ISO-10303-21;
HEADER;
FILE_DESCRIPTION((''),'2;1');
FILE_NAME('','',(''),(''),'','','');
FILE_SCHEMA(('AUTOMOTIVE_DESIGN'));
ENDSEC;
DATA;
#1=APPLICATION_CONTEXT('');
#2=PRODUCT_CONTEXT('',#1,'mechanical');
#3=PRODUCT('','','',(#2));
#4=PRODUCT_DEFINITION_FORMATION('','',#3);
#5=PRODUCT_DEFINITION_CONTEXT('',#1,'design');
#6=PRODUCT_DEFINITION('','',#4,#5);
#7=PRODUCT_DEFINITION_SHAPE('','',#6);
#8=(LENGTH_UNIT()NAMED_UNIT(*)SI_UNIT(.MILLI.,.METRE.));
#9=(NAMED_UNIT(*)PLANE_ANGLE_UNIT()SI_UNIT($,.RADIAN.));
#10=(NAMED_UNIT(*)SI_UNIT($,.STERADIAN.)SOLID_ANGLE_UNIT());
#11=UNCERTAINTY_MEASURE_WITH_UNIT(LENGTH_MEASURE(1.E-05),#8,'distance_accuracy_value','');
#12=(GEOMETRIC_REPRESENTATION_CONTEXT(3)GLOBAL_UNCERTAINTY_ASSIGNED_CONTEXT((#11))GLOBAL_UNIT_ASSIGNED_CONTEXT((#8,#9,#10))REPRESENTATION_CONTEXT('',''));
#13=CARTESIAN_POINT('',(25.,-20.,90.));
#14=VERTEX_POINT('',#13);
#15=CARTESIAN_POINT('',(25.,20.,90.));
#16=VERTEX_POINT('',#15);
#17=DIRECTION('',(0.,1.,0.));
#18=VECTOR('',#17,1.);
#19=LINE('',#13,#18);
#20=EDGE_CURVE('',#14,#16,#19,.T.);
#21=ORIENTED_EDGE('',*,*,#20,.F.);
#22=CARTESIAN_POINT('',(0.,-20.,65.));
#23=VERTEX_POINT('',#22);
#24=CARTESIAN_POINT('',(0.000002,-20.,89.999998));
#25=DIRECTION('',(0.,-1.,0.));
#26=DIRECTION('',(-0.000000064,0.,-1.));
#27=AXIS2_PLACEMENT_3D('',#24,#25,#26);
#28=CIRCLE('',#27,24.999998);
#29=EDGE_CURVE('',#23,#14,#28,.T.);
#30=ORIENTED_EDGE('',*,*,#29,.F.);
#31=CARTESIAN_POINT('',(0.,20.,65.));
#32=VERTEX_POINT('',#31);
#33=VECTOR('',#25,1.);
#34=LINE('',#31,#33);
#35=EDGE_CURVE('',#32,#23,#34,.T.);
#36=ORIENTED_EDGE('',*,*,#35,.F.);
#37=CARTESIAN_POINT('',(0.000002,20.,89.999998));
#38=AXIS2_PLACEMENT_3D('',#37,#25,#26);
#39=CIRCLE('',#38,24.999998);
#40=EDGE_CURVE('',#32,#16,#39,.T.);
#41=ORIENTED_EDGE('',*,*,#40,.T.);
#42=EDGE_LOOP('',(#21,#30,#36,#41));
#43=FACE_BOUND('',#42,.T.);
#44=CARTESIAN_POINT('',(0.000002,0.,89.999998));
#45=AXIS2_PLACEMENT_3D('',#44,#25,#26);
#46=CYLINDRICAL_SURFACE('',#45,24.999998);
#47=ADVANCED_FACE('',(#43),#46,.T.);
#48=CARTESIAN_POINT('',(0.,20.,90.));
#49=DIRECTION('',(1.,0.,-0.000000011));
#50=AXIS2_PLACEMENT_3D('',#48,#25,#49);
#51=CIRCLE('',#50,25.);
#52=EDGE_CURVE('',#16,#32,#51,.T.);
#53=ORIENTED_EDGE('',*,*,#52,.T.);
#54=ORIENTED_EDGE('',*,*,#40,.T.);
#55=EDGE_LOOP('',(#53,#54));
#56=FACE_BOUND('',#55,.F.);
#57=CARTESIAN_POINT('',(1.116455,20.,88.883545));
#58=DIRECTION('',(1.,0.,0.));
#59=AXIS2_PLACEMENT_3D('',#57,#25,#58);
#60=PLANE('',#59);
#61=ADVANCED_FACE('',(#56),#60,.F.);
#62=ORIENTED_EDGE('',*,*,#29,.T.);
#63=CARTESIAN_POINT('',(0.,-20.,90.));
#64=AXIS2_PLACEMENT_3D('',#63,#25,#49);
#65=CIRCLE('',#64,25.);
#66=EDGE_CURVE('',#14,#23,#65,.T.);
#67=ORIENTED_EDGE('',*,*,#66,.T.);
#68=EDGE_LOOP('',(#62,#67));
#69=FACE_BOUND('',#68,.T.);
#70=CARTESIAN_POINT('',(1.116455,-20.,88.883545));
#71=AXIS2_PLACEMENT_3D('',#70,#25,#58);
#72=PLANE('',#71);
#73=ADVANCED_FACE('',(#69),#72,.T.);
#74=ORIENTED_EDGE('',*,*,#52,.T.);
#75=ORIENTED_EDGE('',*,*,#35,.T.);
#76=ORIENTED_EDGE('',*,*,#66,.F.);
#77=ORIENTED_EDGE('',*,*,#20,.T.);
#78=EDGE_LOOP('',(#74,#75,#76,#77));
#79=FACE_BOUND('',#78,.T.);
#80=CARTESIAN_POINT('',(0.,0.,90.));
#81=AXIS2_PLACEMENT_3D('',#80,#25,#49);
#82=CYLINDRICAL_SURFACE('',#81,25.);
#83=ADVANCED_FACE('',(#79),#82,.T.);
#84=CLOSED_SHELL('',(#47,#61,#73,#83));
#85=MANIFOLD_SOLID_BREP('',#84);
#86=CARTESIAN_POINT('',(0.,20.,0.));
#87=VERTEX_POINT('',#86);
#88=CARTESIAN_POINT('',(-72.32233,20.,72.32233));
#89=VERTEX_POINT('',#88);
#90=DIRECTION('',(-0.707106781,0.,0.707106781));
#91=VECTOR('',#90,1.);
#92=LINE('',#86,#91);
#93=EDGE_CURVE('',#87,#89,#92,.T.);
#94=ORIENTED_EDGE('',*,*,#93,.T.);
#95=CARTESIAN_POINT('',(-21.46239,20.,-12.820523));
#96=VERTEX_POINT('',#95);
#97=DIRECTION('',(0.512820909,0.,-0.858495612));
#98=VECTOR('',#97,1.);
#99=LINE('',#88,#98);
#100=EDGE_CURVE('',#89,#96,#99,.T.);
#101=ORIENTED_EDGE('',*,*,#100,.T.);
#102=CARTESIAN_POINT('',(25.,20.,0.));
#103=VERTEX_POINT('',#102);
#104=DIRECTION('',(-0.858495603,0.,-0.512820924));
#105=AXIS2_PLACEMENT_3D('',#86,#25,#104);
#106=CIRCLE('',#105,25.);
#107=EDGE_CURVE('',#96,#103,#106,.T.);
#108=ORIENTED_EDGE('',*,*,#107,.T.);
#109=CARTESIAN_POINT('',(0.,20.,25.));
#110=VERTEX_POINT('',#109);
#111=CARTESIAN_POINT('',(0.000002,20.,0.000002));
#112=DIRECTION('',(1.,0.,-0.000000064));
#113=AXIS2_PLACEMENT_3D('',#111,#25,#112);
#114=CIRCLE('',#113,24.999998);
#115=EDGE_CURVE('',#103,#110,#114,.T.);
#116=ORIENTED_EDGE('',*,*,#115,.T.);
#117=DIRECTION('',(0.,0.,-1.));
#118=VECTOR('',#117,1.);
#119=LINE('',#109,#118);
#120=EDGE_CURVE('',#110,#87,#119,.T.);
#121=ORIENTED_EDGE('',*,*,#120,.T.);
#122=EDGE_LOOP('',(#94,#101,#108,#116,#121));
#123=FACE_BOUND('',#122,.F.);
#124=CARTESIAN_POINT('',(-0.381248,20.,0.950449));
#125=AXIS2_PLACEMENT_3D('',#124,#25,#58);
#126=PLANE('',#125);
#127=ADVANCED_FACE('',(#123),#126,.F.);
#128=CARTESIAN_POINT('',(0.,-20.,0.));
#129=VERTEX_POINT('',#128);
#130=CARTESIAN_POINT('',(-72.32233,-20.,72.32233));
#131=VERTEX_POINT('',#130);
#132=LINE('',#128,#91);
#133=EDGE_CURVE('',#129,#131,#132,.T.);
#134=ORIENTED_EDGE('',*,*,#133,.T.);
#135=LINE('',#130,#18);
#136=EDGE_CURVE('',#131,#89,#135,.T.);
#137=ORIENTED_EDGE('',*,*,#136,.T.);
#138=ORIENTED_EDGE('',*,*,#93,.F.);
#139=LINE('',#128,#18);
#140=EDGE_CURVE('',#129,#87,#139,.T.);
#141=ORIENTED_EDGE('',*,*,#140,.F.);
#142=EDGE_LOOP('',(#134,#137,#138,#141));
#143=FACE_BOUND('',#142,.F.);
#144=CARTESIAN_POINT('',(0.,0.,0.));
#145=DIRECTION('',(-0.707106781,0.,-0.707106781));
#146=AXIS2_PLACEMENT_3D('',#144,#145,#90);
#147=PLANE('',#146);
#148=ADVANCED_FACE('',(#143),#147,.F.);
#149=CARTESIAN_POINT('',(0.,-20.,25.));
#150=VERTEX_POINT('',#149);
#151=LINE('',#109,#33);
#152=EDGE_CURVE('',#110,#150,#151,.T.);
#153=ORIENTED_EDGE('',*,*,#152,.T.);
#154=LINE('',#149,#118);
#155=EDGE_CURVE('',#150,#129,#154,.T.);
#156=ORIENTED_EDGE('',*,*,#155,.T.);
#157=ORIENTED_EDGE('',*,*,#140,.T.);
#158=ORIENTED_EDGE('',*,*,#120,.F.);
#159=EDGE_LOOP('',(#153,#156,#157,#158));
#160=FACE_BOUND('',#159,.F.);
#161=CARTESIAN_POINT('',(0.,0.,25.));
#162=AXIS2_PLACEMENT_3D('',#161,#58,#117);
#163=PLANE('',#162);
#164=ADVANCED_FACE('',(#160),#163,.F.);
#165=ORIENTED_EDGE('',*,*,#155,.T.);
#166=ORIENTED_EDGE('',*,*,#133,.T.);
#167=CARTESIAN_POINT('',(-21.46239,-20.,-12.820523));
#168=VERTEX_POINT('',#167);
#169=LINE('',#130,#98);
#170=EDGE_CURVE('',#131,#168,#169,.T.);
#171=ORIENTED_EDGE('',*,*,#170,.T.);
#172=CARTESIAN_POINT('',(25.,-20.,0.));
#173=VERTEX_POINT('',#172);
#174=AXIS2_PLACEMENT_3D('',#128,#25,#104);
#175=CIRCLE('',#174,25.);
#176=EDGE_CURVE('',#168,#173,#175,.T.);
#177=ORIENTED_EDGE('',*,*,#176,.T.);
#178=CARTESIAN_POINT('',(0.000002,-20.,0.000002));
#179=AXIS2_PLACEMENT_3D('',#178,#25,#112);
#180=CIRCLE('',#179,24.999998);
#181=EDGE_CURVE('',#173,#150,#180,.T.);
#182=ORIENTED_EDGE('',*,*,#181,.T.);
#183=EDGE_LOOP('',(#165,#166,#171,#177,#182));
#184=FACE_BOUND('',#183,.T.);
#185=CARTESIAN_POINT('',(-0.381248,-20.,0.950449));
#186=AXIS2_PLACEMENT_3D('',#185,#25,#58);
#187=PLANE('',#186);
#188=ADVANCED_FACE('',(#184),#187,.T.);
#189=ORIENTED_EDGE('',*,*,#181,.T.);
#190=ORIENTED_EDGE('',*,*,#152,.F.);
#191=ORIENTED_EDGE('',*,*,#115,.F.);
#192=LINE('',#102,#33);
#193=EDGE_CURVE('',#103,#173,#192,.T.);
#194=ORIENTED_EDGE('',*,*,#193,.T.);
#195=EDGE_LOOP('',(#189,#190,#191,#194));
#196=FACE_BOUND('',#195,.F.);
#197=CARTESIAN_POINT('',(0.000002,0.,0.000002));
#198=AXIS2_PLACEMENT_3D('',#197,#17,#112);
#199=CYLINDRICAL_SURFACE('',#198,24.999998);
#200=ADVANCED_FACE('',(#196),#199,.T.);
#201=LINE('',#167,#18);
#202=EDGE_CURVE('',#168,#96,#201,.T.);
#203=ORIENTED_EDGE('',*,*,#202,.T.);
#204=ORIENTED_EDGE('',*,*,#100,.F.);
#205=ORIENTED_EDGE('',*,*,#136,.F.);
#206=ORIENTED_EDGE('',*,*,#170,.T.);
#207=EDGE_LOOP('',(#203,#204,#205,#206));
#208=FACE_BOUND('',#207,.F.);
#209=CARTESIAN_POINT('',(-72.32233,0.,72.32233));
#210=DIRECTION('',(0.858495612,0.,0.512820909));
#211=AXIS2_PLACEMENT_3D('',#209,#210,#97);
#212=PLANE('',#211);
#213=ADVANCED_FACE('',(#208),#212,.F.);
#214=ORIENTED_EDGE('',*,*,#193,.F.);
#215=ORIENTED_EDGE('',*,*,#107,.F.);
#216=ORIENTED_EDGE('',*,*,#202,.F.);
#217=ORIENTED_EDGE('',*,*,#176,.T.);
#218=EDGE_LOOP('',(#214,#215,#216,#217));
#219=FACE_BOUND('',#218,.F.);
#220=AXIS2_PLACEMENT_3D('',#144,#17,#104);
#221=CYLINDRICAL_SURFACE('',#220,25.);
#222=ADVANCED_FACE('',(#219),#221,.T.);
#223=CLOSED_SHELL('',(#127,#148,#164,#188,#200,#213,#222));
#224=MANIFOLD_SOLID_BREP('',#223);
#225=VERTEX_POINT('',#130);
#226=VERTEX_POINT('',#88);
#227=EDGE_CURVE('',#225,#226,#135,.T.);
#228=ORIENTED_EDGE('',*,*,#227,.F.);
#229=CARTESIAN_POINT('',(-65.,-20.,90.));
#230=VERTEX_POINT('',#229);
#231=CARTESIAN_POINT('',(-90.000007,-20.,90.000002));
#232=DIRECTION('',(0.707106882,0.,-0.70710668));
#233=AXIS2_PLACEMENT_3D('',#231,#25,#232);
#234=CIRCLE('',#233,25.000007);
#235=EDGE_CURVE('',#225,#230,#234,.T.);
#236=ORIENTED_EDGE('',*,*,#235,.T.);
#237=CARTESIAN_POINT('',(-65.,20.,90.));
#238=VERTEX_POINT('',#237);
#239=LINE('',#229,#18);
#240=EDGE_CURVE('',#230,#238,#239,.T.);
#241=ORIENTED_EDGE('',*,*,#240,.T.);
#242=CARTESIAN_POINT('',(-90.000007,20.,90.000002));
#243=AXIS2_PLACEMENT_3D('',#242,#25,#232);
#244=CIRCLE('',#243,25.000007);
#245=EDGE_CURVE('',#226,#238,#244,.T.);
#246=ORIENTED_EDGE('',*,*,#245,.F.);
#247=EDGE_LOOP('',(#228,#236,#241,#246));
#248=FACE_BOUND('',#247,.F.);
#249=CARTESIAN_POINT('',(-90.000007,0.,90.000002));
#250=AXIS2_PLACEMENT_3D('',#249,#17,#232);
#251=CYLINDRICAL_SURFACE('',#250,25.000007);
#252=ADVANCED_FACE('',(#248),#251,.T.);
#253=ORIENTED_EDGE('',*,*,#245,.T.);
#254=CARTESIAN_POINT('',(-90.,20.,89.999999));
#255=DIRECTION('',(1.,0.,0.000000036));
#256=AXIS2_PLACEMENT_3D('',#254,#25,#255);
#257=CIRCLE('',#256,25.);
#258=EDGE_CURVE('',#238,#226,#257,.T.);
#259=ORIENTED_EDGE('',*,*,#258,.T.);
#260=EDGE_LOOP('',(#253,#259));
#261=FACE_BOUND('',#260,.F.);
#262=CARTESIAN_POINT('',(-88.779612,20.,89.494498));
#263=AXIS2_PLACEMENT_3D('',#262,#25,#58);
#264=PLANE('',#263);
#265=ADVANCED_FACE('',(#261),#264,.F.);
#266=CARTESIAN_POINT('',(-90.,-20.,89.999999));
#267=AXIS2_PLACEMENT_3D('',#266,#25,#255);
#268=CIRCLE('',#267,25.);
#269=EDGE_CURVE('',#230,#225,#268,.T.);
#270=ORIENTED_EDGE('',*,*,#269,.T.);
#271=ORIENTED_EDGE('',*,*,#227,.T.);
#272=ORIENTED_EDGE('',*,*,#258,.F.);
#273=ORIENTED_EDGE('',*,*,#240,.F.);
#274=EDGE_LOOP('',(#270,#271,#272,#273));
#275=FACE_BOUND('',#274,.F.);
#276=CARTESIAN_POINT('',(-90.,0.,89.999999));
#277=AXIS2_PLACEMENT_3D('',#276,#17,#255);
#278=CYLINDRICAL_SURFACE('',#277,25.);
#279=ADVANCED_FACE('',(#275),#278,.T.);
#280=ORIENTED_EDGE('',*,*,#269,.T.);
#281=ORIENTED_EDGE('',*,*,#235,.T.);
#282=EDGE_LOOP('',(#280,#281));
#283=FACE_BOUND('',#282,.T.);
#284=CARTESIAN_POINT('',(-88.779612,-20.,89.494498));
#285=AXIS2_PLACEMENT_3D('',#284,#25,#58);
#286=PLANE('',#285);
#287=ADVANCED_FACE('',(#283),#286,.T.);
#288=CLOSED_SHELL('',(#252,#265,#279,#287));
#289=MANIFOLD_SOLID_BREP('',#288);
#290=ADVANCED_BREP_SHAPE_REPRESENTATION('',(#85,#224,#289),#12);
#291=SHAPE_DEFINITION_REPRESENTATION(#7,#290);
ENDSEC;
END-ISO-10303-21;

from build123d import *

# Parameters (mm, degrees)
F1_DEPTH = 20


with BuildPart() as f1:
    # F0 (on Front) → F1 (new body, symmetric)
    with BuildSketch(Plane.XZ):
        with BuildLine():
            ThreePointArc((-17.67767, 17.67767), (-24.809696, 3.078798), (-21.46239, -12.820523))
            ThreePointArc((-21.46239, -12.820523), (6.649821, -24.099375), (25, 0))
            ThreePointArc((25, 0), (17.67767, 17.67767), (0, 25))
            Line((0, 25), (0, 0))
            Line((0, 0), (-17.67767, 17.67767))
        make_face()
        with BuildLine():
            Line((-72.32233, 72.32233), (-21.46239, -12.820523))
            ThreePointArc((-21.46239, -12.820523), (-24.809696, 3.078798), (-17.67767, 17.67767))
            Line((-17.67767, 17.67767), (-72.32233, 72.32233))
        make_face()
        with BuildLine():
            ThreePointArc((-65, 90), (-113.096988, 99.567086), (-72.32233, 72.32233))
            ThreePointArc((-72.32233, 72.32233), (-66.903012, 80.432914), (-65, 90))
        make_face()
        with BuildLine():
            ThreePointArc((25, 90), (-17.67767, 107.67767), (0, 65))
            ThreePointArc((0, 65), (17.67767, 72.32233), (25, 90))
        make_face()
    extrude(amount=F1_DEPTH, both=True)


solid = f1.part
